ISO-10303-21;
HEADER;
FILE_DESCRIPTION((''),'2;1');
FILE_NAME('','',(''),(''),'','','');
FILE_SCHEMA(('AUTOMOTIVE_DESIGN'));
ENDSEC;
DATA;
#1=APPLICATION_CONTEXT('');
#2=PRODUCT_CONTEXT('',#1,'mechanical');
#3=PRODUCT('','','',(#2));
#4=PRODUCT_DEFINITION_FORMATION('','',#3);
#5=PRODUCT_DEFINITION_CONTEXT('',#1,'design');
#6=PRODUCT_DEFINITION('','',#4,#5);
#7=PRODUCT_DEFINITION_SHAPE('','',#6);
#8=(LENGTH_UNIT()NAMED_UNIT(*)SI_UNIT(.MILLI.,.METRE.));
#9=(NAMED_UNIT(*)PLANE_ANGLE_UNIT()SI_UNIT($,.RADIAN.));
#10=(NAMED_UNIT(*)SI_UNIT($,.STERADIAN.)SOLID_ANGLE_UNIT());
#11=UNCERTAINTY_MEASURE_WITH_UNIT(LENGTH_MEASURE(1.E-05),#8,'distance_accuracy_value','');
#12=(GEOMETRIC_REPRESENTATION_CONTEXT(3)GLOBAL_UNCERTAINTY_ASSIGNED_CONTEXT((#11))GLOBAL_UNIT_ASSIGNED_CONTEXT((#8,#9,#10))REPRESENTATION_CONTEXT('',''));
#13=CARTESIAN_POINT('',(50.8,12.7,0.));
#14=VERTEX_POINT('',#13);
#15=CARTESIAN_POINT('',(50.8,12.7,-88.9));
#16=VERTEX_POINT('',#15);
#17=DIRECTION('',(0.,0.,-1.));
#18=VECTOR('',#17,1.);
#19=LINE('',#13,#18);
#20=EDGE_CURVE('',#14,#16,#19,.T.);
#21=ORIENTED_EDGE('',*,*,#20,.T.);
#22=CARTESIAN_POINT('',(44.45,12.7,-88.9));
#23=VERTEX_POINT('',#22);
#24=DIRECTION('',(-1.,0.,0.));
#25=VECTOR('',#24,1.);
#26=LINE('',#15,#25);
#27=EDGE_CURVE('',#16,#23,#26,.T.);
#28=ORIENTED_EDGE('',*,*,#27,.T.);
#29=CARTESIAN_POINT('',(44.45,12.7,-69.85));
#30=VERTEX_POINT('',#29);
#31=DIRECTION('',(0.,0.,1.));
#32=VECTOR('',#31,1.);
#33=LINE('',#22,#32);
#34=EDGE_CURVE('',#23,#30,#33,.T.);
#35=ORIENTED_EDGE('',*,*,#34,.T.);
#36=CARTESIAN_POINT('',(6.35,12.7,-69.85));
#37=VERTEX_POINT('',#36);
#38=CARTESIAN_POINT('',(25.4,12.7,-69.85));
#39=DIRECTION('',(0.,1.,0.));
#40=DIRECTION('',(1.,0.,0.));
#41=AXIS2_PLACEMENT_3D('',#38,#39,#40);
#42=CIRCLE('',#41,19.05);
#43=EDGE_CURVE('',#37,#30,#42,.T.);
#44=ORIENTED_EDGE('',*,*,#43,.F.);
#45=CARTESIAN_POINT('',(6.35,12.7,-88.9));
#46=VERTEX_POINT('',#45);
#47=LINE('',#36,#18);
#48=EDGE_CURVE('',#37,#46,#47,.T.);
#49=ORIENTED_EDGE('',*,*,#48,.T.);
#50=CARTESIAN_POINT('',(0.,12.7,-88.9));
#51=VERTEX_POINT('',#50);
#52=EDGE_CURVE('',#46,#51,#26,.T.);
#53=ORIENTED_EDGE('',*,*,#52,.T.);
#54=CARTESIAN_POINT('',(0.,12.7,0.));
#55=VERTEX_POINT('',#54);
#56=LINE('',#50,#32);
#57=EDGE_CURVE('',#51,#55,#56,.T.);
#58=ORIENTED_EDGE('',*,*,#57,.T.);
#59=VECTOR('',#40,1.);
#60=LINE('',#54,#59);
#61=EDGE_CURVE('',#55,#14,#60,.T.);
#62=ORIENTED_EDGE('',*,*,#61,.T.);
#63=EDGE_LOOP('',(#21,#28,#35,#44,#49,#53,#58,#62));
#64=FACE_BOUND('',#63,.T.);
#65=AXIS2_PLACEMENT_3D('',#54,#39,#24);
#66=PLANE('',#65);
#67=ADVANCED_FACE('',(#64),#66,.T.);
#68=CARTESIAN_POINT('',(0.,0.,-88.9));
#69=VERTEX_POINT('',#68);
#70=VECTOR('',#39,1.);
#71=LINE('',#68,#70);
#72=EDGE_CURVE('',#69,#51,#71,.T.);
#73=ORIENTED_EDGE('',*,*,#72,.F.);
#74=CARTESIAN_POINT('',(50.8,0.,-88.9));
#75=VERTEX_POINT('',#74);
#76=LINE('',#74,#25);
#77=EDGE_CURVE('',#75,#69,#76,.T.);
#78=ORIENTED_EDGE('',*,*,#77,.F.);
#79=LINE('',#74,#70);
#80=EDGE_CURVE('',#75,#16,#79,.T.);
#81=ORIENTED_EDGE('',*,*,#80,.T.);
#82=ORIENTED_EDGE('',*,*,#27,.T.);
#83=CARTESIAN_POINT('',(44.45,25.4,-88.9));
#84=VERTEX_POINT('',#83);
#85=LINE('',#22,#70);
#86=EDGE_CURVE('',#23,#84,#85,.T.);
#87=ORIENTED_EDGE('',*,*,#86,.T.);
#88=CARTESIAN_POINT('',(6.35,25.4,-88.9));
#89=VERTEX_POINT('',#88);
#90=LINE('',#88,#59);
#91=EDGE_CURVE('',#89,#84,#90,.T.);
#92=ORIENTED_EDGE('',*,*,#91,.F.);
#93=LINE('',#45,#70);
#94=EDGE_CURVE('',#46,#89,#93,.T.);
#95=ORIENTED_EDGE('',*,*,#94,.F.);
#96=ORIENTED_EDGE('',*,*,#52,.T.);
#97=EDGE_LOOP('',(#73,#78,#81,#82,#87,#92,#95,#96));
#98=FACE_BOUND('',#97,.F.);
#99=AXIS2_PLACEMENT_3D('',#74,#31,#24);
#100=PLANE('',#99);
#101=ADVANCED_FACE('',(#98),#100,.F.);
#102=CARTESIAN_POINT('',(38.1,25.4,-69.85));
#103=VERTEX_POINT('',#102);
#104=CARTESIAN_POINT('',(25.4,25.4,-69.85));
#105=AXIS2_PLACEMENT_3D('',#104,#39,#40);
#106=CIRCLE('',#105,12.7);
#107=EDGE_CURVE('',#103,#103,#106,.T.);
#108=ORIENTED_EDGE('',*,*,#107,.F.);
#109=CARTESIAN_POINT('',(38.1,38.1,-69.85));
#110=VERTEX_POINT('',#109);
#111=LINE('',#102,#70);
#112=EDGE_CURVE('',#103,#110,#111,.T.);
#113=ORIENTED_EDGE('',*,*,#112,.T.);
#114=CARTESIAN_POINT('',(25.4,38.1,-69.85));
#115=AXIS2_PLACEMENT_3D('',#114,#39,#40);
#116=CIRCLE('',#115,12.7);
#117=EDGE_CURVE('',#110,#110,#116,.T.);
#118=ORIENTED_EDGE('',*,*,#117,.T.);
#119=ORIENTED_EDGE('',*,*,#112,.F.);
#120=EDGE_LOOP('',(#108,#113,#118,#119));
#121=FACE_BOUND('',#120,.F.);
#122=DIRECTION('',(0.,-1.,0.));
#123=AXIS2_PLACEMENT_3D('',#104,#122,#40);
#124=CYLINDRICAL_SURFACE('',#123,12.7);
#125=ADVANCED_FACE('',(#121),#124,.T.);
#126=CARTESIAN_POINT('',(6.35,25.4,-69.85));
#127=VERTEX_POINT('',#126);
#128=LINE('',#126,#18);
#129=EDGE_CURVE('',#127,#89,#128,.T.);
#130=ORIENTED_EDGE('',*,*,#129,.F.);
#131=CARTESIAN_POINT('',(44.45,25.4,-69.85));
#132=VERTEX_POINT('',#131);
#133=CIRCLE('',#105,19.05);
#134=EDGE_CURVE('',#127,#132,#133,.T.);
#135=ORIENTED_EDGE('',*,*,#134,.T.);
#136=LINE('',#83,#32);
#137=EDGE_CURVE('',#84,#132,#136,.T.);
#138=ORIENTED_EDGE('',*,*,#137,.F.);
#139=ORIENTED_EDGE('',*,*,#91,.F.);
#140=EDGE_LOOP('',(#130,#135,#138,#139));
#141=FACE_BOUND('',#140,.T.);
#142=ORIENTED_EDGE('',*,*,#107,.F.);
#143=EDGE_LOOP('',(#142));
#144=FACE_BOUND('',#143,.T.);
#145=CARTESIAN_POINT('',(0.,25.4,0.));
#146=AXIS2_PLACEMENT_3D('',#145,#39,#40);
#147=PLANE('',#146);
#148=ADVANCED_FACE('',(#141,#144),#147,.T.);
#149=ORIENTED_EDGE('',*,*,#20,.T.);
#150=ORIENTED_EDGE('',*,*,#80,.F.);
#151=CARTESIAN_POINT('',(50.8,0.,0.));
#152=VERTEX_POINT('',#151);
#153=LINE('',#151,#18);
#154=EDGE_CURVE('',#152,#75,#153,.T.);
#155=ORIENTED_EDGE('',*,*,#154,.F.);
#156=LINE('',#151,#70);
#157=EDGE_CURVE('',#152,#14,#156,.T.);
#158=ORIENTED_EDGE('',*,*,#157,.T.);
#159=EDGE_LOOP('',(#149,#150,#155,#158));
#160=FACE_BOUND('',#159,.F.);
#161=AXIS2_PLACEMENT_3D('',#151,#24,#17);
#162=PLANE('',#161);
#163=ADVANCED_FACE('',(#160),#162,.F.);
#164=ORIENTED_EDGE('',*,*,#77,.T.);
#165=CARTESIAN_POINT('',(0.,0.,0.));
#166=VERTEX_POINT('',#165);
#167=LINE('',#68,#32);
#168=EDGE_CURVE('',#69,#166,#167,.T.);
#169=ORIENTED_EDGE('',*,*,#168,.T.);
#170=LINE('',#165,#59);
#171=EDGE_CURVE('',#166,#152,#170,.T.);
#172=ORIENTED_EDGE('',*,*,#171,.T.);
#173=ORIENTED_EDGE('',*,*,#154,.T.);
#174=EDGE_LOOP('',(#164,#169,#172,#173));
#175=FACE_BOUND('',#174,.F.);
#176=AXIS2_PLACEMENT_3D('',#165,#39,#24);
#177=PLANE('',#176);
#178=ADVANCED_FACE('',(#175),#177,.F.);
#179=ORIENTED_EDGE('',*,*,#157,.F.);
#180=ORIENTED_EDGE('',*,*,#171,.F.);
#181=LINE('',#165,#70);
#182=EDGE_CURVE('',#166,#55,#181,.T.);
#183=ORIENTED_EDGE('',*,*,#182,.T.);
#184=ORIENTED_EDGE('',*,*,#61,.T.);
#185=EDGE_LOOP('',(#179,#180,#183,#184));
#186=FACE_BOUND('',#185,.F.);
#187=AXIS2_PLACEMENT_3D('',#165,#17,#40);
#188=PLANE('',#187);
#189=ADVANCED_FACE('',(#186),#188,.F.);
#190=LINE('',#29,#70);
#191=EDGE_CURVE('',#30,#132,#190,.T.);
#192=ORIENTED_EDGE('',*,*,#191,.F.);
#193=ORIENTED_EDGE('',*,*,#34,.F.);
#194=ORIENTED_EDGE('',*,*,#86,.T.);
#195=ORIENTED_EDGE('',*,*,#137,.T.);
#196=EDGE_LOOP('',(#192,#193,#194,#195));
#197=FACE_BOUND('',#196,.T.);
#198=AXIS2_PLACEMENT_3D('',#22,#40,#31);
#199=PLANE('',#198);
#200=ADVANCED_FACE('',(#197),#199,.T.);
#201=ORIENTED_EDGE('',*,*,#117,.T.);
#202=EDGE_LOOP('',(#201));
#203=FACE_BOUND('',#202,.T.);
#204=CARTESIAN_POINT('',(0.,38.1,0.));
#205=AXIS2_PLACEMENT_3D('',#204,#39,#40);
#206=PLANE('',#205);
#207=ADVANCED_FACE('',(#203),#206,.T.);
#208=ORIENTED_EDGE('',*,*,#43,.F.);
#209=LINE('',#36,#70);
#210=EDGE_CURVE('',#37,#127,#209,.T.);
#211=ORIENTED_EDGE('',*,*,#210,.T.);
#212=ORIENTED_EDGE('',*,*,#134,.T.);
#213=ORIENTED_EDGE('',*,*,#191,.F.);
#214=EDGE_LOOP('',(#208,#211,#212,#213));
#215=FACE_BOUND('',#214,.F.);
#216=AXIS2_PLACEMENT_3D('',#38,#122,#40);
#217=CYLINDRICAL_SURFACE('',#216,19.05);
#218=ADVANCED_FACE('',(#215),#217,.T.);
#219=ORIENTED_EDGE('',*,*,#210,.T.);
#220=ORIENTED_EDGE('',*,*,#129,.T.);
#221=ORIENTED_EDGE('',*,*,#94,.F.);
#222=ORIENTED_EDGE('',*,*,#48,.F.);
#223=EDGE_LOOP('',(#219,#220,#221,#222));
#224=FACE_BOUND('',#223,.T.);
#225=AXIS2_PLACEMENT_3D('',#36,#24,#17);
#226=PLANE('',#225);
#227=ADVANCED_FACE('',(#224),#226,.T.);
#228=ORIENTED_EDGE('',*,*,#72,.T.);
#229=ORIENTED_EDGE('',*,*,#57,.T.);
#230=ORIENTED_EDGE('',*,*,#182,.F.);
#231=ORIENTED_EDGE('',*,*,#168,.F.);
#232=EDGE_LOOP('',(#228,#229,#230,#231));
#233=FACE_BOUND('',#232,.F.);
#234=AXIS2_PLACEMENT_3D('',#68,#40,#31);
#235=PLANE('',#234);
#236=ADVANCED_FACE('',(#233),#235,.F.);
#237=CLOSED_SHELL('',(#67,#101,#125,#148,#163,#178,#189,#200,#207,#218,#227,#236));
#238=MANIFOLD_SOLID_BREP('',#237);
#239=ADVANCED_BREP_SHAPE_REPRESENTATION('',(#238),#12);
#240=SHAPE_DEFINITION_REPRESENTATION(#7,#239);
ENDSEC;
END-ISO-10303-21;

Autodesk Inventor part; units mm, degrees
ref_plane "YZ Plane" through (0, 0, 0) normal (1, 0, 0) x (0, 1, 0)
ref_plane "XZ Plane" through (0, 0, 0) normal (0, 1, 0) x (-1, 0, 0)
ref_plane "XY Plane" through (0, 0, 0) normal (0, 0, 1) x (1, 0, 0)
sketch "Sketch1" plane through (0, 0, 0) normal (0, 1, 0) x (-1, 0, 0)
  line L0 (0, 0) -> (-50.8, 0)
  line L1 (-50.8, 0) -> (-50.8, -88.9)
  line L2 (-50.8, -88.9) -> (0, -88.9)
  line L3 (0, -88.9) -> (0, 0)
  dimension "d0" = 50.8
  dimension "d1" = 88.9
extrude "Extrusion1" add sketch "Sketch1" along normal blind 12.7
sketch "Sketch2" plane through (0, 12.7, 0) normal (0, 1, 0) x (1, 0, 0)
  line L0 (50.8, 0) -> (50.8, 88.9) projected
  line L1 (50.8, 88.9) -> (0, 88.9) projected
  line L2 (0, 88.9) -> (0, 0) projected
  line L3 (6.35, 88.9) -> (44.45, 88.9)
  line L4 (44.45, 88.9) -> (44.45, 69.85)
  line L5 (44.45, 69.85) -> (6.35, 69.85)
  line L6 (6.35, 69.85) -> (6.35, 88.9)
  line L7 (6.35, 79.375) -> (0, 79.375) construction
  line L8 (44.45, 79.375) -> (50.8, 79.375) construction
  circle A0 centre (25.4, 69.85) radius 19.05
  dimension "d4" = 19.05
  dimension "d5" = 6.35
extrude "Extrusion2" add sketch "Sketch2" along normal blind 12.7
sketch "Sketch3" plane through (0, 25.4, 0) normal (0, 1, 0) x (1, 0, 0)
  arc A0 (6.35, 69.85) -> (44.45, 69.85) centre (25.4, 69.85) ccw projected
  circle A1 centre (25.4, 69.85) radius 12.7
  point P0 (0, 0)
  dimension "d8" = 25.4
extrude "Extrusion3" add sketch "Sketch3" along normal blind 12.7
properties part number "Holes"
